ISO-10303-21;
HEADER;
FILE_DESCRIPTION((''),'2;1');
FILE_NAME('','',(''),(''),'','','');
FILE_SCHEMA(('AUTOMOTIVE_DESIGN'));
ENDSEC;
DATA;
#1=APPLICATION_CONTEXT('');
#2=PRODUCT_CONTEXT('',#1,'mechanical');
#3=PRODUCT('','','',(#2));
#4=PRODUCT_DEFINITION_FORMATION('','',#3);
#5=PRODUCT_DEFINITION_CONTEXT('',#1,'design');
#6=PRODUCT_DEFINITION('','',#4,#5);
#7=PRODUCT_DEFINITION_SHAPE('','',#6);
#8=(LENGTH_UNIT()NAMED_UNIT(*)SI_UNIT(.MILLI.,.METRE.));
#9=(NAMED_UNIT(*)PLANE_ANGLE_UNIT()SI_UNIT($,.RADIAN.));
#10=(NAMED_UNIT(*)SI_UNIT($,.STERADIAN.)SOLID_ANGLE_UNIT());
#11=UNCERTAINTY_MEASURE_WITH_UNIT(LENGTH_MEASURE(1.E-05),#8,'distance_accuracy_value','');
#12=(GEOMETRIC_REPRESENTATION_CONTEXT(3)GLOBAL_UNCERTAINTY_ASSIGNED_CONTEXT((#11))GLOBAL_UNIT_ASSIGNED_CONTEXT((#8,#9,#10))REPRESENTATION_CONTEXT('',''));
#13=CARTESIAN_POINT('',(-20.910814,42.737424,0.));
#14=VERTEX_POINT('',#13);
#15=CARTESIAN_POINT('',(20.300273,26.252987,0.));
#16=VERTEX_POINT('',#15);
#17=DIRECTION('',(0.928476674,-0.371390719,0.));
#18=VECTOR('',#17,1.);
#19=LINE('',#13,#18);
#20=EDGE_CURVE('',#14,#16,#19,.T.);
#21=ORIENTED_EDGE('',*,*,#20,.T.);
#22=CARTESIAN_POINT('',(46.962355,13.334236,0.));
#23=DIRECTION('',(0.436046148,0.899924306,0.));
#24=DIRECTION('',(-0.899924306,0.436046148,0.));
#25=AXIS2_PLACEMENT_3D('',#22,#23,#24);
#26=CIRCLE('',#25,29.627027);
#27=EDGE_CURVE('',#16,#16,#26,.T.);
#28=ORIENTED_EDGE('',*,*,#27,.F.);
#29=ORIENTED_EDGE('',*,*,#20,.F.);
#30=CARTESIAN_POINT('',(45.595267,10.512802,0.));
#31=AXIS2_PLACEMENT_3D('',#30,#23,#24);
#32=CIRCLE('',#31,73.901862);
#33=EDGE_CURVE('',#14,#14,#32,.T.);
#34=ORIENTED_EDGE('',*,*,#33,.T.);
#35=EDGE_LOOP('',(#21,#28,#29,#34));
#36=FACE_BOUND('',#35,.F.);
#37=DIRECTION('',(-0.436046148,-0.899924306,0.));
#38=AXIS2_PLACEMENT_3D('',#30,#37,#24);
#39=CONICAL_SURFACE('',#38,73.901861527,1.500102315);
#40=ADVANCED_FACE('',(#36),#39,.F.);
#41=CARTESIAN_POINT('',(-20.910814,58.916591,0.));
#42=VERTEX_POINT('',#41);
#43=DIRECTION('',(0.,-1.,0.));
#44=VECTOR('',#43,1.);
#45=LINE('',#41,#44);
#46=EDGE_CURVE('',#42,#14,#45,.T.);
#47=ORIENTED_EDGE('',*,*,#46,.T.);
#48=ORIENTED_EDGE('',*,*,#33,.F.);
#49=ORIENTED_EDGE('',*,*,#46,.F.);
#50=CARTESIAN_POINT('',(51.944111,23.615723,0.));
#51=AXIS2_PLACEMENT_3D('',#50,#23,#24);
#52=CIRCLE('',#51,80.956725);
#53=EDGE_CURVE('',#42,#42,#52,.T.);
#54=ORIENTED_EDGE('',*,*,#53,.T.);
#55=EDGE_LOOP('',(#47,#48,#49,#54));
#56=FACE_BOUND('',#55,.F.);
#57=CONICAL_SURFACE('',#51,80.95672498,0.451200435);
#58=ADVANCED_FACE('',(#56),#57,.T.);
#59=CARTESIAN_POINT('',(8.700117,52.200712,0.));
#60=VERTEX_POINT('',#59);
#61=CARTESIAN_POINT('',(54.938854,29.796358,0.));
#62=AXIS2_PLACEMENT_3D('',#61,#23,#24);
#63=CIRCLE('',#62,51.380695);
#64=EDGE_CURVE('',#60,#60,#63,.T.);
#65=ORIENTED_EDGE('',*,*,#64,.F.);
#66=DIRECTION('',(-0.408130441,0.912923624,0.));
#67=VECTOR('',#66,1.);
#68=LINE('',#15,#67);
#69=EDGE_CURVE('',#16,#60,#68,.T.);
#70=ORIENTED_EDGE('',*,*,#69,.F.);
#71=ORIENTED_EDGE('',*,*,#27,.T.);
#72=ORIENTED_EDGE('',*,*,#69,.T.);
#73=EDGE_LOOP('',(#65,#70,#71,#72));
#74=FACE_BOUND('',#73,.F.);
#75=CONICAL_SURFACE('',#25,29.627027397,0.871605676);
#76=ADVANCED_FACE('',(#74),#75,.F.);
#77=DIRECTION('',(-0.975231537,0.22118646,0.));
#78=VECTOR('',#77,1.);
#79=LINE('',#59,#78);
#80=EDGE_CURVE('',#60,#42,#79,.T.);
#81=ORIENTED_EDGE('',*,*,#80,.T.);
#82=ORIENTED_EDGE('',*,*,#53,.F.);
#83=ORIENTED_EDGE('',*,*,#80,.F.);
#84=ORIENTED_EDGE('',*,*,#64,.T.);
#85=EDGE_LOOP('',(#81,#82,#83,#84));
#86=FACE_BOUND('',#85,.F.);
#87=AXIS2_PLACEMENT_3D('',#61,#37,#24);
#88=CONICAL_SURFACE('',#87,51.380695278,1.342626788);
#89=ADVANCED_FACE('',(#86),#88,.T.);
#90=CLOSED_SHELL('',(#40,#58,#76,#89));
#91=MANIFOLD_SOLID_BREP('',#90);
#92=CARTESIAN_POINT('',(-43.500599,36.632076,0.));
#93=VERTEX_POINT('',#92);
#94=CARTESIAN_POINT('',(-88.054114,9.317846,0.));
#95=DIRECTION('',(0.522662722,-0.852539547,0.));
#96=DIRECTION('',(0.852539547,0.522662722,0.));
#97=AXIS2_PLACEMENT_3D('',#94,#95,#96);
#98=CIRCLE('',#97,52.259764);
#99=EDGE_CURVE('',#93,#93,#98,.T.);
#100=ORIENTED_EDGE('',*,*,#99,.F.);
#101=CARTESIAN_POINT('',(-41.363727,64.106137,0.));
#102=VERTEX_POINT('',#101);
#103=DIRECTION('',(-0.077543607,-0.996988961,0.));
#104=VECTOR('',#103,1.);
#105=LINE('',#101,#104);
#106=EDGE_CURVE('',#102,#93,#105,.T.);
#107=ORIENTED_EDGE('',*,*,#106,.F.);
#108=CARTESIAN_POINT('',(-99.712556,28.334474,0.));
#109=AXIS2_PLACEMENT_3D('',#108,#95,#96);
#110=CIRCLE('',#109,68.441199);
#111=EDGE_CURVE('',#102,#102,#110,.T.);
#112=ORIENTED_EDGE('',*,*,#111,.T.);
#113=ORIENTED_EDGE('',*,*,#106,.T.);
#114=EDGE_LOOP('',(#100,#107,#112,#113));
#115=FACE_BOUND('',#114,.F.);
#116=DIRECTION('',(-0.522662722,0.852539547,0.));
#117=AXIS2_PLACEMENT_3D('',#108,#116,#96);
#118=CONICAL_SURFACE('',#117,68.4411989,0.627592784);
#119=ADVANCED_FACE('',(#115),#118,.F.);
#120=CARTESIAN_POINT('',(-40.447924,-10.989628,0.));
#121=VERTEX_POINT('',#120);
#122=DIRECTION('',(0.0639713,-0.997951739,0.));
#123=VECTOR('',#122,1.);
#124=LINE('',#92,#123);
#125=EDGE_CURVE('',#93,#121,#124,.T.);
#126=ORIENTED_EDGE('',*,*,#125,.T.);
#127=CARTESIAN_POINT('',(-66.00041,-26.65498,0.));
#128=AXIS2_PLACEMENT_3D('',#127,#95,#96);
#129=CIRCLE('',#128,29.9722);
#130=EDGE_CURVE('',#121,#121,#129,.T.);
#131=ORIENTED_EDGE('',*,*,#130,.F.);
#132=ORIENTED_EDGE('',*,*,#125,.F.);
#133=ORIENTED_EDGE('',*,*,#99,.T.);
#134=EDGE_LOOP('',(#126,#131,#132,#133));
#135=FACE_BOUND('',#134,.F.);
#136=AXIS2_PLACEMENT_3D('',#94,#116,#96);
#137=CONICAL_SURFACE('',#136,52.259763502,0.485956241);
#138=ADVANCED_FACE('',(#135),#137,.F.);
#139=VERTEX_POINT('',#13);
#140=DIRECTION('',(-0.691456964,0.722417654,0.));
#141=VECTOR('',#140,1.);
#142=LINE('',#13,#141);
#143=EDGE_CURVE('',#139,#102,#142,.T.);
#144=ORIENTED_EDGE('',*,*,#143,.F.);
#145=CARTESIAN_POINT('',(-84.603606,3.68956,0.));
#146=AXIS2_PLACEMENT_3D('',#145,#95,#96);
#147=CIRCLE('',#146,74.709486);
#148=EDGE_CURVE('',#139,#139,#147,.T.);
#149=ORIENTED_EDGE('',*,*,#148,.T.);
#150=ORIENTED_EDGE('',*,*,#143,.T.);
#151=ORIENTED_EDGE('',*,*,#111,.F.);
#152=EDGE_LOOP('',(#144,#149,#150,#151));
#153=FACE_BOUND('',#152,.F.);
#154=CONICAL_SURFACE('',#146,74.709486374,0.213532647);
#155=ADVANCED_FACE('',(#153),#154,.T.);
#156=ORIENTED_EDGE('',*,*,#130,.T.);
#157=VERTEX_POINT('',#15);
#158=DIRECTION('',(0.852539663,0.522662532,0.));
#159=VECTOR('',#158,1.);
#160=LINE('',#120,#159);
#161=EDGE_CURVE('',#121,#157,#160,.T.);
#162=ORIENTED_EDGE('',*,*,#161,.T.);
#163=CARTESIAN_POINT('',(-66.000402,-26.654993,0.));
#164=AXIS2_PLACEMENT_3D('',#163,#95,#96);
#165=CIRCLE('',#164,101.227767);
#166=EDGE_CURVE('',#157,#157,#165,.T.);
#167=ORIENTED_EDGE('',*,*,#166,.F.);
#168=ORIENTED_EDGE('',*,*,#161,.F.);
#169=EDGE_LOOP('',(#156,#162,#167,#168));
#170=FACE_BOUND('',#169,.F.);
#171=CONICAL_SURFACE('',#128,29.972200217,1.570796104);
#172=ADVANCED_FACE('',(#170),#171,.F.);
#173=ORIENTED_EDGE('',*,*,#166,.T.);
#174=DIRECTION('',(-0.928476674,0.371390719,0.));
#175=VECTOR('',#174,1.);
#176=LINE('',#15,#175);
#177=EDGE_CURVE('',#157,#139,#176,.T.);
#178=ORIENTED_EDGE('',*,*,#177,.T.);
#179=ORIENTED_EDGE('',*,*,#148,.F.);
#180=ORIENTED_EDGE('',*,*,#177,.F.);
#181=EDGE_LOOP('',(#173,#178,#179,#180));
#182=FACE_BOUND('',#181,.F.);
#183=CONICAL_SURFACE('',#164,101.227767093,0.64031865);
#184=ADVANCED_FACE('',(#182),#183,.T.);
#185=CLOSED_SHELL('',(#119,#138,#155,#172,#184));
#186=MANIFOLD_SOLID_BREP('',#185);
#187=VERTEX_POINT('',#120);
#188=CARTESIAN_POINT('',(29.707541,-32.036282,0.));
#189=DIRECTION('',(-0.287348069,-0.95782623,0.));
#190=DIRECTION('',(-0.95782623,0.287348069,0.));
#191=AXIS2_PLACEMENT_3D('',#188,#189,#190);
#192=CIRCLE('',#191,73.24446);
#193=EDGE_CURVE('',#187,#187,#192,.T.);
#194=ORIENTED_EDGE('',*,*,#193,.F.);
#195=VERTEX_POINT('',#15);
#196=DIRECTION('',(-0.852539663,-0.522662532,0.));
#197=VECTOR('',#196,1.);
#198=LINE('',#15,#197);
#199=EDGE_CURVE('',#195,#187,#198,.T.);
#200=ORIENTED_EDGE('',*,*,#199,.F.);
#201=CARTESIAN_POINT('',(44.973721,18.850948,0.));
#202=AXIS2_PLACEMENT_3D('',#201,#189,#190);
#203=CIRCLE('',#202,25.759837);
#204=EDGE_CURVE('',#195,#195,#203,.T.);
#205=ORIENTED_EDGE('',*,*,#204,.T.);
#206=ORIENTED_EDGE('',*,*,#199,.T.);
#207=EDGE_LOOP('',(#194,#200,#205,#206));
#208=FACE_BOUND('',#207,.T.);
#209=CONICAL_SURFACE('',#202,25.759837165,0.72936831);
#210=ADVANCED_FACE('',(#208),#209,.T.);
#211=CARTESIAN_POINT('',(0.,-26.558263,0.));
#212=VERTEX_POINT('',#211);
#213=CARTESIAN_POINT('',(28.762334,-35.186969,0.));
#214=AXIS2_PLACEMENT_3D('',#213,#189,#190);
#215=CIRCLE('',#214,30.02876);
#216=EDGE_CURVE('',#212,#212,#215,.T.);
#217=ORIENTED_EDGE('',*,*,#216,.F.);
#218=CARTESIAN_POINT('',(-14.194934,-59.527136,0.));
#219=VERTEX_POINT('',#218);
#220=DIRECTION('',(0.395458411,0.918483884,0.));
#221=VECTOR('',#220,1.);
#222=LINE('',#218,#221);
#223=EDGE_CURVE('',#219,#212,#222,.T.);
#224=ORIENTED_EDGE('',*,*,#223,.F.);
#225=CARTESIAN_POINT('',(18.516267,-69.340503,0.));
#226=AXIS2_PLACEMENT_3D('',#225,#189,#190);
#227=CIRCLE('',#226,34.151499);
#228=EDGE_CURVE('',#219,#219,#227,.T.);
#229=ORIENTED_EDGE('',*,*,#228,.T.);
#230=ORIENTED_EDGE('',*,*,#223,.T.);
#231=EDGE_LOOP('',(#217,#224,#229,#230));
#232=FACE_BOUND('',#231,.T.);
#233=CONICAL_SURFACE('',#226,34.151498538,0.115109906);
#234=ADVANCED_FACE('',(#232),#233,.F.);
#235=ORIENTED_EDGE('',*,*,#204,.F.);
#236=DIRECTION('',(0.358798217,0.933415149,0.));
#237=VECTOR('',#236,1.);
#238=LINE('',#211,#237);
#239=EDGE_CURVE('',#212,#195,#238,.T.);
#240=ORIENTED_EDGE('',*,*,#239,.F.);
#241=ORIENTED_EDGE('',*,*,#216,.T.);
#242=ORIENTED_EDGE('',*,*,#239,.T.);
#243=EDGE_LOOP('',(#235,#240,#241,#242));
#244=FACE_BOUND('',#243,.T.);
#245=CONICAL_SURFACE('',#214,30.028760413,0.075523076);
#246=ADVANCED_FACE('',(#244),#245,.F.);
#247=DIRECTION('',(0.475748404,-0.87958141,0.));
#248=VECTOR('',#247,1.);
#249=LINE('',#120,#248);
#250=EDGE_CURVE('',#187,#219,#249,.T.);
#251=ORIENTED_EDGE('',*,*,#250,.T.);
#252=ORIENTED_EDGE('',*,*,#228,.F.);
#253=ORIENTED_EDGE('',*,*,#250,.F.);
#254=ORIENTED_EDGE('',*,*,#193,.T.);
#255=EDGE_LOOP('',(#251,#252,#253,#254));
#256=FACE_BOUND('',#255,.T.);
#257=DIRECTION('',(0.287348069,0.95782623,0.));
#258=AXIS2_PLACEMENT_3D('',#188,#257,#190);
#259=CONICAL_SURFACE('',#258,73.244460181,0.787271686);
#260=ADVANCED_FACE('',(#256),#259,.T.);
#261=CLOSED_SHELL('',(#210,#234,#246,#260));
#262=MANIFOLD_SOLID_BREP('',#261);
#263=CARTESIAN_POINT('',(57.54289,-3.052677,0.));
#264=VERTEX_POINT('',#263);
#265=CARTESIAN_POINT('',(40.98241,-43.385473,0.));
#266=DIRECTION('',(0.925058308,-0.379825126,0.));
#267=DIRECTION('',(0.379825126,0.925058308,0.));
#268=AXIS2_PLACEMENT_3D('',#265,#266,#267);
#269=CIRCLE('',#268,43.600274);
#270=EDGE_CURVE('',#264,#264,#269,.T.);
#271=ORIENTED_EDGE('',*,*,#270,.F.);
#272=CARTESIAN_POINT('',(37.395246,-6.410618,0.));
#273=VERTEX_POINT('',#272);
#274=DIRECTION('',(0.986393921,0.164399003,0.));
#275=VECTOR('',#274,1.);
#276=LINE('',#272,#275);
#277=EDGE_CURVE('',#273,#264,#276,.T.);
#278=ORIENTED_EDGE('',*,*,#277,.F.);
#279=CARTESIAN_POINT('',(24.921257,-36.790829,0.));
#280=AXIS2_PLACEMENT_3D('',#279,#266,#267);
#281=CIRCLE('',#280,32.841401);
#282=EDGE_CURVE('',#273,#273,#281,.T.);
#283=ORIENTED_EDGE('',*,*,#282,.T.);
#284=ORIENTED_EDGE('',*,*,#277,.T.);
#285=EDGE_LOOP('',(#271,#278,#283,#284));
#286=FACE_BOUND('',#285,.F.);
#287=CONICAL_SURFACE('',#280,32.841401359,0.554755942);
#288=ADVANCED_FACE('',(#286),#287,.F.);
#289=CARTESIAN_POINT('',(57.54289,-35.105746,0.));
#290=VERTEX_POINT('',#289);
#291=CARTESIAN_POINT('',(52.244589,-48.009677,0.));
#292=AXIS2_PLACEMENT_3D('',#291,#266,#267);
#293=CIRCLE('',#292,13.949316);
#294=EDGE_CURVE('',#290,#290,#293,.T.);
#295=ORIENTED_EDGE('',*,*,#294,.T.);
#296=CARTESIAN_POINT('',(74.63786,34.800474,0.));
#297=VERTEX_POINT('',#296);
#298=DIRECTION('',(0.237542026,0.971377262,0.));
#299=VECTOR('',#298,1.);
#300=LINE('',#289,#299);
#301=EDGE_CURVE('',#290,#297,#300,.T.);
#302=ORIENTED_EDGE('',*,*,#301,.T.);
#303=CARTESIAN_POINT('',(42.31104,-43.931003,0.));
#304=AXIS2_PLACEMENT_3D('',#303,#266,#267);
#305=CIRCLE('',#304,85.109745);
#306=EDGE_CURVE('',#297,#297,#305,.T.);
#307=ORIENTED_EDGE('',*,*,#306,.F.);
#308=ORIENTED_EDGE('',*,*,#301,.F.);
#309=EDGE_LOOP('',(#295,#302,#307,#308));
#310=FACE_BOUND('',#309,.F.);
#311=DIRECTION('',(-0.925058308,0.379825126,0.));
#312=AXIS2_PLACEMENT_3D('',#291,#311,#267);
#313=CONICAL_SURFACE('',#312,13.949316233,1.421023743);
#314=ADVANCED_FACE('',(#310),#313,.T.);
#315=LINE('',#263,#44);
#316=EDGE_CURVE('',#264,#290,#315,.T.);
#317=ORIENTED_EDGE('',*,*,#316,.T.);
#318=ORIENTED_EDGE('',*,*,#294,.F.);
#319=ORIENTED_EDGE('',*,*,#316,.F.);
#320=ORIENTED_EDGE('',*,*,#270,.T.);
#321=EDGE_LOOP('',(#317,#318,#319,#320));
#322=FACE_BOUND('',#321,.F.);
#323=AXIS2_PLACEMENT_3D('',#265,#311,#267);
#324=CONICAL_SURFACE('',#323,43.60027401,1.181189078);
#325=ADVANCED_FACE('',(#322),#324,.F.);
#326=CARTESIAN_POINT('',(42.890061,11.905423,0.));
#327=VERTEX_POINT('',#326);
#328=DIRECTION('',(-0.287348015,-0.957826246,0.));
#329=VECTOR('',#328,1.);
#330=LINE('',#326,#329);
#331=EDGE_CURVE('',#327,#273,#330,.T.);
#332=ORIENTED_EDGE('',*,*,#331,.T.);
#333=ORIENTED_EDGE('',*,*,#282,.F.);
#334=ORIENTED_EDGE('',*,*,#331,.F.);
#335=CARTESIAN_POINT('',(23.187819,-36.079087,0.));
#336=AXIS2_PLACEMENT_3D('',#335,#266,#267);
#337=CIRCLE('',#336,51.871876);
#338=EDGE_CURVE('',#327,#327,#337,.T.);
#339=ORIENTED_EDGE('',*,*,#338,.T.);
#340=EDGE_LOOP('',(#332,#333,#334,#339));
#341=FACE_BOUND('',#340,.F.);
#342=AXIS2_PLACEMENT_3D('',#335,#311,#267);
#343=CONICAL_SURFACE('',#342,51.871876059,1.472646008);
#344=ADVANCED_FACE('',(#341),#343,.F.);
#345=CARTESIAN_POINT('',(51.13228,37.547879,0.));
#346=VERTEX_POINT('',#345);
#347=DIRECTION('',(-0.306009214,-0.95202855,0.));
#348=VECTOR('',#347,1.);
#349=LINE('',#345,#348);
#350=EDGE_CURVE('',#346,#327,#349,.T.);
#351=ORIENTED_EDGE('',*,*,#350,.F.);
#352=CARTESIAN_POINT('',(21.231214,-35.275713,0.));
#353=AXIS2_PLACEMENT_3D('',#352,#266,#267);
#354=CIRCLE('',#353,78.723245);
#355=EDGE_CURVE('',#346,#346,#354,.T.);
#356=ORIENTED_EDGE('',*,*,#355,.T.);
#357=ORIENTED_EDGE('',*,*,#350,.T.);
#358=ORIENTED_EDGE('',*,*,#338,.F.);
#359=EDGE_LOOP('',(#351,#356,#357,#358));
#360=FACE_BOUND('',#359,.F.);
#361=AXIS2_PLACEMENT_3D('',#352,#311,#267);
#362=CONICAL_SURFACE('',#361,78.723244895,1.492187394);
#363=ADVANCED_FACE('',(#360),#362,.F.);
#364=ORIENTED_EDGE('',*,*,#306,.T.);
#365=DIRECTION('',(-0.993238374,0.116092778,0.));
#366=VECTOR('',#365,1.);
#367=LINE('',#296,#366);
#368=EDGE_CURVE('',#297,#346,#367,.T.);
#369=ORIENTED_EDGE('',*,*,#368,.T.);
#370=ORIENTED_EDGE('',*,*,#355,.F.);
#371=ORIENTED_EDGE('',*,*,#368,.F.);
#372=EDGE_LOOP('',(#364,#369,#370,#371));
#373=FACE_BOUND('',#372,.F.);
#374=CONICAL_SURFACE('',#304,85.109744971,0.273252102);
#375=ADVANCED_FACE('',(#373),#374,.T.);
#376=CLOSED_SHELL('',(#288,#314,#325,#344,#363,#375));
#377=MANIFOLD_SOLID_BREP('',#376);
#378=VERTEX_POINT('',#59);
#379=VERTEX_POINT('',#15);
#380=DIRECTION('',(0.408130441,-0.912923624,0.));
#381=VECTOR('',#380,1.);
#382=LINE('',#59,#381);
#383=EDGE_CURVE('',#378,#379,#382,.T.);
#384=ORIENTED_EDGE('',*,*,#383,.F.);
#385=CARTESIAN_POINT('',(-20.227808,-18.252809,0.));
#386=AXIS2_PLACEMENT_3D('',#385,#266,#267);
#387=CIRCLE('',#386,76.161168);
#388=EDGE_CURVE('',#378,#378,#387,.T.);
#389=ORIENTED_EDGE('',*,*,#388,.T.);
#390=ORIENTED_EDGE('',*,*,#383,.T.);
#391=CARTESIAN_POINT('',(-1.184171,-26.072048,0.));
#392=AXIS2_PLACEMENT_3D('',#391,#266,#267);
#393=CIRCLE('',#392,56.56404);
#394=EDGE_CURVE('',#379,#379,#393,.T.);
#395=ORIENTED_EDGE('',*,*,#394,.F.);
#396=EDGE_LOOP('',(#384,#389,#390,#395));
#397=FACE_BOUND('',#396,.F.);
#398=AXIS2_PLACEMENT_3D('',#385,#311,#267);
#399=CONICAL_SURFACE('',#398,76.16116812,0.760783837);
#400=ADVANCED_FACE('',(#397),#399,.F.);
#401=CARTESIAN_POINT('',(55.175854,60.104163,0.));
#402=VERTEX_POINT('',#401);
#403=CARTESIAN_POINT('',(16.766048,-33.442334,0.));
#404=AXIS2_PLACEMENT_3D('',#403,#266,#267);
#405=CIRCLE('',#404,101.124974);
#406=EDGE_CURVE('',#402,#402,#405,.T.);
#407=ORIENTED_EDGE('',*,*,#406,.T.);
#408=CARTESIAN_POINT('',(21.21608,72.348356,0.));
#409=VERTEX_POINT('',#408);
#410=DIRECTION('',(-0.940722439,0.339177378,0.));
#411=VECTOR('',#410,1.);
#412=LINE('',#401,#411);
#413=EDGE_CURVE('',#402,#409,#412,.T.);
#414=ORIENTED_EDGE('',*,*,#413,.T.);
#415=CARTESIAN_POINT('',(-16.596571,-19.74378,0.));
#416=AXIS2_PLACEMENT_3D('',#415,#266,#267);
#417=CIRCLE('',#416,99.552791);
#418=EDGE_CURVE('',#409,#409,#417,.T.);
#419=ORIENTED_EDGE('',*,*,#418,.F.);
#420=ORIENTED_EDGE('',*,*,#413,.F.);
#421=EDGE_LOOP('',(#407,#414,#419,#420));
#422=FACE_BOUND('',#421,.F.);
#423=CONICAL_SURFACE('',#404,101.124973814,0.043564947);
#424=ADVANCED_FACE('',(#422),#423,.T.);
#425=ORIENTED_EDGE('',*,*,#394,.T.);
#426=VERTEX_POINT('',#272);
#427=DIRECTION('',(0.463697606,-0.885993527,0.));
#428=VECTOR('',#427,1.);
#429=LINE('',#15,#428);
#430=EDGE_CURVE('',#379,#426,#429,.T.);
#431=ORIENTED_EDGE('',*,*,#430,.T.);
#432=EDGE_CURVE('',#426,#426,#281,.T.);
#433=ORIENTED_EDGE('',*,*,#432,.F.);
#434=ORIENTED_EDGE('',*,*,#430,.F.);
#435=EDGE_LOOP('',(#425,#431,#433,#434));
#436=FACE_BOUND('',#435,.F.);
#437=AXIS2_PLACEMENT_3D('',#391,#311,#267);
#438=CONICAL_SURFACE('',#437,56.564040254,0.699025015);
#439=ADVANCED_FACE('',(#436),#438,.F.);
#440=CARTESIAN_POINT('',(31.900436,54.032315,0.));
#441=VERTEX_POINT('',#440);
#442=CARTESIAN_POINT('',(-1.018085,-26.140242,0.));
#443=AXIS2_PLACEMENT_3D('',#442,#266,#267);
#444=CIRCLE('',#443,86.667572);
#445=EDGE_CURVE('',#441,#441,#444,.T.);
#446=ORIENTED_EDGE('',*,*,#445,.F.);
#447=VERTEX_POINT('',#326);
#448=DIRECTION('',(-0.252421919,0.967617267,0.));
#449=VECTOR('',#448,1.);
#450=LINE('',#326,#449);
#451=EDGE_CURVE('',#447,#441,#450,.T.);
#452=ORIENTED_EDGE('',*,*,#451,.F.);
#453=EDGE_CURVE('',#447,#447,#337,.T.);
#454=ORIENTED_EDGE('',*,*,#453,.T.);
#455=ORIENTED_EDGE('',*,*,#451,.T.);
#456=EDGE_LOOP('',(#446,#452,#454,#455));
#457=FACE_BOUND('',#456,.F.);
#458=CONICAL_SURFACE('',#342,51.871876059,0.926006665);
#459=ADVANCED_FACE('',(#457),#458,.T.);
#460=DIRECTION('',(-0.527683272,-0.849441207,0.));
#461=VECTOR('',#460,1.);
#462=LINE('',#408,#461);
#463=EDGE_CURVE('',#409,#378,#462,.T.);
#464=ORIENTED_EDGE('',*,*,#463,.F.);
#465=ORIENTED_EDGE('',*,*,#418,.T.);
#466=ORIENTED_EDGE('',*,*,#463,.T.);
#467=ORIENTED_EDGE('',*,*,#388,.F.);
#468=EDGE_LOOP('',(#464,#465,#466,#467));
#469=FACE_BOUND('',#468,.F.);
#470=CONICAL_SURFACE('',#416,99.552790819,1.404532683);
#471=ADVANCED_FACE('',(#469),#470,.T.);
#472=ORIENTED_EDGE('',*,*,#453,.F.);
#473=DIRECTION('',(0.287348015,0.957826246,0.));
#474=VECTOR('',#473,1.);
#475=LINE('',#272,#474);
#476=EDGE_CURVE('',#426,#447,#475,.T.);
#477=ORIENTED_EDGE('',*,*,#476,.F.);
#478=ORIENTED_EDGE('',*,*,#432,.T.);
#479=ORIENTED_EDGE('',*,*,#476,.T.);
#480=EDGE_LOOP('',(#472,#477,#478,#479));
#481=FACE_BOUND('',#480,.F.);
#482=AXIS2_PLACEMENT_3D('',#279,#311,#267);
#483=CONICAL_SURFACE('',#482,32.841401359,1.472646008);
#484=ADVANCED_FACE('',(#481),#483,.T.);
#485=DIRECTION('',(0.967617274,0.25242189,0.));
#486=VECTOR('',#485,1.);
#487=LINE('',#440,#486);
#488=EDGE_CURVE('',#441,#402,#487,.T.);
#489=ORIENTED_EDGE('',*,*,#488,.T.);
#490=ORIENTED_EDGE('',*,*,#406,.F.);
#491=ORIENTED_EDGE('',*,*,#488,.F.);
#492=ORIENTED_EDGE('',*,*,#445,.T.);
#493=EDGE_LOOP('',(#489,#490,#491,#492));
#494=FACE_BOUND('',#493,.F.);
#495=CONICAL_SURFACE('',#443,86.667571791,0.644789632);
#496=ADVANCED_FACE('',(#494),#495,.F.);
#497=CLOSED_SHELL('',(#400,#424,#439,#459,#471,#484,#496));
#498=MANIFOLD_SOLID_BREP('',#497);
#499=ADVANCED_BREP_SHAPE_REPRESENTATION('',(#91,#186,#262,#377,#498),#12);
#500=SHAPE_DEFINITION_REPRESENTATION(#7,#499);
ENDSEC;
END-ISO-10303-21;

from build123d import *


with BuildPart() as f1:
    # F0 (on Top) → F1 (revolve)
    with BuildSketch(Plane.XY):
        Polygon((-41.363727, 64.106137), (-43.500599, 36.632076), (-40.447924, -10.989628), (20.300273, 26.252987), (-20.910814, 42.737424), align=None)
    revolve(axis=Axis((-61.333209, -34.267869, 0), (0.522663, -0.85254, 0)))


with BuildPart() as f2:
    # F0 (on Top) → F2 (revolve)
    with BuildSketch(Plane.XY):
        Polygon((-20.910814, 42.737424), (20.300273, 26.252987), (8.700117, 52.200712), (-20.910814, 58.916591), align=None)
    revolve(axis=Axis((30.221465, -21.216084, 0), (0.436046, 0.899924, 0)))


with BuildPart() as f3:
    # F0 (on Top) → F3 (revolve)
    with BuildSketch(Plane.XY):
        Polygon((8.700117, 52.200712), (20.300273, 26.252987), (37.395246, -6.410618), (42.890061, 11.905423), (31.900436, 54.032315), (55.175854, 60.104163), (21.21608, 72.348356), align=None)
    revolve(axis=Axis((11.523842, -31.289906, 0), (0.925058, -0.379825, 0)))


with BuildPart() as f4:
    # F0 (on Top) → F4 (revolve)
    with BuildSketch(Plane.XY):
        Polygon((20.300273, 26.252987), (-40.447924, -10.989628), (-14.194934, -59.527136), (0, -26.558263), align=None)
    revolve(axis=Axis((40.142654, 2.747403, 0), (-0.287348, -0.957826, 0)))


with BuildPart() as f5:
    # F0 (on Top) → F5 (revolve)
    with BuildSketch(Plane.XY):
        Polygon((42.890061, 11.905423), (37.395246, -6.410618), (57.54289, -3.052677), (57.54289, -35.105746), (74.63786, 34.800474), (51.13228, 37.547879), align=None)
    revolve(axis=Axis((11.523842, -31.289906, 0), (0.925058, -0.379825, 0)))


solid = Compound([f1.part, f2.part, f3.part, f4.part, f5.part])
